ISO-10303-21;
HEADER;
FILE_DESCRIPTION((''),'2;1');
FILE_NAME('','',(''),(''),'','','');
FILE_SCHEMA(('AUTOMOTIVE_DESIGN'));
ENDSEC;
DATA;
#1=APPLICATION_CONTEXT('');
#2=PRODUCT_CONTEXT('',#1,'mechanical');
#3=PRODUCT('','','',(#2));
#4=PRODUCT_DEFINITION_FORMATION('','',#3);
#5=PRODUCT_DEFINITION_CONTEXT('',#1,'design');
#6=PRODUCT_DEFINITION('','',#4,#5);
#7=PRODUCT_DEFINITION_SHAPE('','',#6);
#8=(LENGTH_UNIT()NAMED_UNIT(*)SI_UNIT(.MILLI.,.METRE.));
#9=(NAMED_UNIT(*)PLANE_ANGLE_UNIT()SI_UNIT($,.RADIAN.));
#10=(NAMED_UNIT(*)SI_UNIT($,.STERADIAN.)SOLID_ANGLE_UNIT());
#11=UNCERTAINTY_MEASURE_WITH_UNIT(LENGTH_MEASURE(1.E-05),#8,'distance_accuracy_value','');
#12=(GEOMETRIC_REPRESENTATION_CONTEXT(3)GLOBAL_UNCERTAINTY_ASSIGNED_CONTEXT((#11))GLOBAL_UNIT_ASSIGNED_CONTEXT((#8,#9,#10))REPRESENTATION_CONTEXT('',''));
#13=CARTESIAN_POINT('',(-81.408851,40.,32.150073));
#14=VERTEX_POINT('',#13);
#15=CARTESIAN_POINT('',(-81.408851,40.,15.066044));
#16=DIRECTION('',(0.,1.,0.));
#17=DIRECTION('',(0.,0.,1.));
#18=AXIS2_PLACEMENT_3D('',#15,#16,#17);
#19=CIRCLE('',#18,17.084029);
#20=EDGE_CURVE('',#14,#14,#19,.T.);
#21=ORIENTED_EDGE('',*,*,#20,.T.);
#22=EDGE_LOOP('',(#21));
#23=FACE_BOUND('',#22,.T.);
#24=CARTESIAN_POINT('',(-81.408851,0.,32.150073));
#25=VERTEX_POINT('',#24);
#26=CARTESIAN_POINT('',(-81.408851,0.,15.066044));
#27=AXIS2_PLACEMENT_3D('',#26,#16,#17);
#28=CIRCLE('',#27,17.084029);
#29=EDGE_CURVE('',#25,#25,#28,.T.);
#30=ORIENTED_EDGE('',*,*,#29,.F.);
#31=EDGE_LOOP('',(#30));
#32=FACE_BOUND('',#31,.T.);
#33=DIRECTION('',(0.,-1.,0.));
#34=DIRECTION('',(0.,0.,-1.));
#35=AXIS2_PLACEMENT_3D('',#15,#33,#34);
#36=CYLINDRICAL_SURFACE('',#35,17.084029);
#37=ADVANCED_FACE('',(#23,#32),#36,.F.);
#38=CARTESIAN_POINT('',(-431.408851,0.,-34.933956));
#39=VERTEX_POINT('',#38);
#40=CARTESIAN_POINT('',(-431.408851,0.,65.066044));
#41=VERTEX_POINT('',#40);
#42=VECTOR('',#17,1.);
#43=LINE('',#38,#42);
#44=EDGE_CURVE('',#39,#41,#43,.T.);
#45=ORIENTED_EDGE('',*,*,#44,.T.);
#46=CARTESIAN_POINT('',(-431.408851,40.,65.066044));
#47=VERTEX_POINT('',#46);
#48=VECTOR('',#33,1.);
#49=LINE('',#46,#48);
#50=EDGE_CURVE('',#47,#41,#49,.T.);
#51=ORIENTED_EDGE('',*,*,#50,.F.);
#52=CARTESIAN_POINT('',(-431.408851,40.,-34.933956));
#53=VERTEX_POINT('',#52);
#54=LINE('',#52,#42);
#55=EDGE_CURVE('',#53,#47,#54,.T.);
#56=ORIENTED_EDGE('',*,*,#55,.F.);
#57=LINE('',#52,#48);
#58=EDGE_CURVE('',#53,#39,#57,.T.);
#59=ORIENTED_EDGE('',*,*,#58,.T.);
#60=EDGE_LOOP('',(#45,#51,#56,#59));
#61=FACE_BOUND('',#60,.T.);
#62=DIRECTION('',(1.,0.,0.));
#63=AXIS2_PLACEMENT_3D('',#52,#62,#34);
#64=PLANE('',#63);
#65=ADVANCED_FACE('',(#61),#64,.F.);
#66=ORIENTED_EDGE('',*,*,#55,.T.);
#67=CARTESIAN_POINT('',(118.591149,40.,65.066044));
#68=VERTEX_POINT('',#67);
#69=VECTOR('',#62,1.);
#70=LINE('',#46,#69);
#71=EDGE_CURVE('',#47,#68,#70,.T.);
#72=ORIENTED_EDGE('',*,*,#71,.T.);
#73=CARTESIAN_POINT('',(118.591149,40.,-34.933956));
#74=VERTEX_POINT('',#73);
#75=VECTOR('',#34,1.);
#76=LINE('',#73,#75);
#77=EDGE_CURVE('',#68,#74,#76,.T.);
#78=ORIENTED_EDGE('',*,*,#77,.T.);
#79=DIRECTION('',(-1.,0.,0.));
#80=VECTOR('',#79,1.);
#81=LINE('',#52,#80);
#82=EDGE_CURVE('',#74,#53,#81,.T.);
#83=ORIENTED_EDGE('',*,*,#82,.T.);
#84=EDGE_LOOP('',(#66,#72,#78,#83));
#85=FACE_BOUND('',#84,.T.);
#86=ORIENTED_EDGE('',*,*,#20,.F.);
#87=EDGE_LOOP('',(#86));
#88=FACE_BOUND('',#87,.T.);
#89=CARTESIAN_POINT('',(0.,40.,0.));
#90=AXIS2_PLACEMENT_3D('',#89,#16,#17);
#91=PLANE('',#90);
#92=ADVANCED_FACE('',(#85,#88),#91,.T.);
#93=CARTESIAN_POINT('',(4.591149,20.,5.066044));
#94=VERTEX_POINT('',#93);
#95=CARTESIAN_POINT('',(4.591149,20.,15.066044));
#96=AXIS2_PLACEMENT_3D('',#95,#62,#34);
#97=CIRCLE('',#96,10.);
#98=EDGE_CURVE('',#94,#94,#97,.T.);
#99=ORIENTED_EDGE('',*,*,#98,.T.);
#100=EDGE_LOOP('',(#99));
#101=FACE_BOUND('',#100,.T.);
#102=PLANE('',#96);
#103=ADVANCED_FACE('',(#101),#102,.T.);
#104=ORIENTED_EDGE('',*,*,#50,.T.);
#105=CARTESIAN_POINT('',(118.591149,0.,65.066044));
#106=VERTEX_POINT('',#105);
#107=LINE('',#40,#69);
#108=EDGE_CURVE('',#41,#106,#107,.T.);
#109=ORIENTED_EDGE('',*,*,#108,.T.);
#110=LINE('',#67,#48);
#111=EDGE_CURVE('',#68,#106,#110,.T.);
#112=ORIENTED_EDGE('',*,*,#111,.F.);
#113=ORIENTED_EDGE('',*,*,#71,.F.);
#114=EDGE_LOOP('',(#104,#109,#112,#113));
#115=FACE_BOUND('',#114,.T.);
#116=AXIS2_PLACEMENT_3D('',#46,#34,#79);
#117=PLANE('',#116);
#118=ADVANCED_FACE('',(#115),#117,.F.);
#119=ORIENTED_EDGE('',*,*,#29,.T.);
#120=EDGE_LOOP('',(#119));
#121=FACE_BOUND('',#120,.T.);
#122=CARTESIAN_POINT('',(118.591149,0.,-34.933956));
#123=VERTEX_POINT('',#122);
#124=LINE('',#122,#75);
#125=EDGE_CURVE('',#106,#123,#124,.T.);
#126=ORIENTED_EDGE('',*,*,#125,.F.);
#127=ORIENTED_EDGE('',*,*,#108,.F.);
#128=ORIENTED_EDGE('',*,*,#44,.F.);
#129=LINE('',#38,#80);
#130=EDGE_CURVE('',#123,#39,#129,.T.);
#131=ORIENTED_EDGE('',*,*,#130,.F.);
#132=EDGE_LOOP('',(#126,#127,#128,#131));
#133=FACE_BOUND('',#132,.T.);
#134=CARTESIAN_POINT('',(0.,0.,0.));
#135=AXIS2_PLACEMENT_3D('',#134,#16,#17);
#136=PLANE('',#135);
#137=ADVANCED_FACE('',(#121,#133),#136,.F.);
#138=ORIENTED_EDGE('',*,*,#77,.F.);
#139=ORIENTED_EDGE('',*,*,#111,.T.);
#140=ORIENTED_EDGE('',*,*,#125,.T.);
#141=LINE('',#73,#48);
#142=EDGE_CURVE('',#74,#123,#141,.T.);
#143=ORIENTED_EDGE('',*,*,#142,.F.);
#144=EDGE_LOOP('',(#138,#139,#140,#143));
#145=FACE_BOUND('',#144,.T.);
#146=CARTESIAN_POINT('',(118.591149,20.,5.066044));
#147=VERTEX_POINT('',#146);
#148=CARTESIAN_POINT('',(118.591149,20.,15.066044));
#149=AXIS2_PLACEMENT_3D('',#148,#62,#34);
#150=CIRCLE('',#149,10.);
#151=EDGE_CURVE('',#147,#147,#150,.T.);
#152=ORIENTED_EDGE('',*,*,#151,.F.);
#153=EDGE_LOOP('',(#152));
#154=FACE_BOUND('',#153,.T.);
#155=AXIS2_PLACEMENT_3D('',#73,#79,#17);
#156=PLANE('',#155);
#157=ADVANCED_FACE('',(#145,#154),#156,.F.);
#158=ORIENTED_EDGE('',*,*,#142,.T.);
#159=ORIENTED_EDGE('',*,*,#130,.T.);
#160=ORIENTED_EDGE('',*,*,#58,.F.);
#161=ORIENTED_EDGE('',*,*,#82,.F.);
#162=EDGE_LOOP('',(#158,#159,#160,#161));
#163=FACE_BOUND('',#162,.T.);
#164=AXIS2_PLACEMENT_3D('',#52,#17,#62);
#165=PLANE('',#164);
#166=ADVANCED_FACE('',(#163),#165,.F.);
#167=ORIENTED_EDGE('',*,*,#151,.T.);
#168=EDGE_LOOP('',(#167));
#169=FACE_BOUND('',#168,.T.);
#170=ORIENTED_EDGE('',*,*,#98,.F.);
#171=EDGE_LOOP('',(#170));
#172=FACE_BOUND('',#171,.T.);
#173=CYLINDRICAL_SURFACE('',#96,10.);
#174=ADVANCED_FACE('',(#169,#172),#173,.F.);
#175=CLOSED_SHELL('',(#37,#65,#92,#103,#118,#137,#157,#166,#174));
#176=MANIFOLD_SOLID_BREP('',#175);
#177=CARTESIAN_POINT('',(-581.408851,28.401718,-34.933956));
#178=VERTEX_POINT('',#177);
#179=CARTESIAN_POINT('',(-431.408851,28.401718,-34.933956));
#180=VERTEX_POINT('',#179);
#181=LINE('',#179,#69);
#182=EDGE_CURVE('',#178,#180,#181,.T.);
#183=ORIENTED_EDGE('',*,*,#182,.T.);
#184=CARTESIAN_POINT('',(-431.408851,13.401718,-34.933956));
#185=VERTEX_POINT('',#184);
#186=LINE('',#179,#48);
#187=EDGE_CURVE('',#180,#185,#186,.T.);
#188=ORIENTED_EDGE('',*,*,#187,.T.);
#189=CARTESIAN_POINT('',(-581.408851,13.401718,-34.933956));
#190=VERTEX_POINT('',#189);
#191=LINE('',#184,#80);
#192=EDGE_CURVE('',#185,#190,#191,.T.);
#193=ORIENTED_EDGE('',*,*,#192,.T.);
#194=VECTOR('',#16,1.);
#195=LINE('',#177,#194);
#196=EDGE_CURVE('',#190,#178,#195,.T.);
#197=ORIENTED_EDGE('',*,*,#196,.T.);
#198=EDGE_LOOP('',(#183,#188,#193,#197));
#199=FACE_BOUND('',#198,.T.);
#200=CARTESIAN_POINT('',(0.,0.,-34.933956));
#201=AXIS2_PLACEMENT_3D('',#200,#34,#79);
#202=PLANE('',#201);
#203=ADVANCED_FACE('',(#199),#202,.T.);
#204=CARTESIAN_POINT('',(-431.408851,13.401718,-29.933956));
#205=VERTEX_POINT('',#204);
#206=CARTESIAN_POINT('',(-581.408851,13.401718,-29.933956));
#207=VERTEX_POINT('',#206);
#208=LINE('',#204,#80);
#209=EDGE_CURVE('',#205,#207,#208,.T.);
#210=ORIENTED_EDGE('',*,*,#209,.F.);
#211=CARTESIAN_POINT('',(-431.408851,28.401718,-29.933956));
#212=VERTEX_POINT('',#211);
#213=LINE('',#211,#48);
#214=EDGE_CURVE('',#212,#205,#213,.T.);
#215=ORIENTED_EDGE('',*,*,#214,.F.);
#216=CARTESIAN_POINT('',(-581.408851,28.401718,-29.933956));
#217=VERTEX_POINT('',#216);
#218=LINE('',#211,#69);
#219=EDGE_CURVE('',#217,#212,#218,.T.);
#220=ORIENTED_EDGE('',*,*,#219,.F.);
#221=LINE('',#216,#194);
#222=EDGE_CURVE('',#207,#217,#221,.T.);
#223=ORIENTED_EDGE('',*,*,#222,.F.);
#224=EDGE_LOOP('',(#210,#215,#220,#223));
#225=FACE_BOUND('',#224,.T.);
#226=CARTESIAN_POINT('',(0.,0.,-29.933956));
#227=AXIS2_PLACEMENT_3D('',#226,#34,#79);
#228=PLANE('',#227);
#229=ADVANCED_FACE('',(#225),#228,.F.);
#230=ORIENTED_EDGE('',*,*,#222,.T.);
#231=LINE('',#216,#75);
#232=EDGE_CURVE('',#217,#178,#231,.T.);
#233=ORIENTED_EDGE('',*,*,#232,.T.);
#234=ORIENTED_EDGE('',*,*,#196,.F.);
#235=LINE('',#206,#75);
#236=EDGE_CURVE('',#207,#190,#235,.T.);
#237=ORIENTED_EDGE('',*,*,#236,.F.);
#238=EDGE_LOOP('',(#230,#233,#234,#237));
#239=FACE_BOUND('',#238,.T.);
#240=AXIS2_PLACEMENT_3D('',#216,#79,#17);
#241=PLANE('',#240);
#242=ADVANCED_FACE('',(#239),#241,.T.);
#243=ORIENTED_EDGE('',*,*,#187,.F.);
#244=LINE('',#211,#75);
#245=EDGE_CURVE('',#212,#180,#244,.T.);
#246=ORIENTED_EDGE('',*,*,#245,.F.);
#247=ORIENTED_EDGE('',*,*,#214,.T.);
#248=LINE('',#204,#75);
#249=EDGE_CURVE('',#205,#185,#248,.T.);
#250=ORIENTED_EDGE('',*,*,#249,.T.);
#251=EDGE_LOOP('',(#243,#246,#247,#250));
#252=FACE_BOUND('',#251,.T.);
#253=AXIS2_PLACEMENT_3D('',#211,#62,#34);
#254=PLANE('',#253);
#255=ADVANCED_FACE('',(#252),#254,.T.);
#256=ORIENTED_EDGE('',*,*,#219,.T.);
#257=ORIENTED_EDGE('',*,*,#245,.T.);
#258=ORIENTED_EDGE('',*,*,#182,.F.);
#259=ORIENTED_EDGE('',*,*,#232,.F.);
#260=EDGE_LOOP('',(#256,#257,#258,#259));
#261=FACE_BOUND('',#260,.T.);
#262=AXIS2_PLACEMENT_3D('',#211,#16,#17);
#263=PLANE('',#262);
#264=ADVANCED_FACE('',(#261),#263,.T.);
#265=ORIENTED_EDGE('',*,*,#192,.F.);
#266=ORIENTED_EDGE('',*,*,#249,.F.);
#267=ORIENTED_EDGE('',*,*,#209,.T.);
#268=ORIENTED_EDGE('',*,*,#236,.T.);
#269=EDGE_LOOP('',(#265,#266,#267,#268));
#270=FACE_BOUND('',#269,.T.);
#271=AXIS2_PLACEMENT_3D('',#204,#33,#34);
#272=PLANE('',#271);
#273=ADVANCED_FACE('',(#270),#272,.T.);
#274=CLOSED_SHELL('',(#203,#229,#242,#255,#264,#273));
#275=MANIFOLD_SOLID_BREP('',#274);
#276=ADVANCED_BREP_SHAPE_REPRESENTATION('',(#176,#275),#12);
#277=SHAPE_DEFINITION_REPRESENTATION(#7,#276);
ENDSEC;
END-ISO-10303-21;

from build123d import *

# Parameters (mm, degrees)
SKETCH1_W           = 550
SKETCH1_H           = 100
SKETCH1_R           = 17.084029422
BOSS_EXTRUDE1_DEPTH = 40
SKETCH2_R           = 10
CUT_EXTRUDE1_DEPTH  = 114
SKETCH3_W           = 150
SKETCH3_H           = 15
BOSS_EXTRUDE2_DEPTH = 5


with BuildPart() as part:
    # Sketch1 → Boss-Extrude1 (new body)
    with BuildSketch(Plane(origin=(0, 0, 0), x_dir=(1, 0, 0), z_dir=(0, 1, 0))):
        with Locations((-156.408850848, -15.066043846)):
            Rectangle(SKETCH1_W, SKETCH1_H)
        with Locations(Location((-81.408850848, -15.066043846, 0), (0, 0, 270))):
            Circle(SKETCH1_R, mode=Mode.SUBTRACT)
    extrude(amount=BOSS_EXTRUDE1_DEPTH)

    # Sketch2 → Cut-Extrude1 (cut)
    with BuildSketch(Plane(origin=(118.591149152, 0, 0), x_dir=(0, 0, -1), z_dir=(1, 0, 0))):
        with Locations((-15.066043846, 20)):
            Circle(SKETCH2_R)
    extrude(amount=-CUT_EXTRUDE1_DEPTH, mode=Mode.SUBTRACT)


with BuildPart() as body_2:
    # Sketch3 → Boss-Extrude2 (new body)
    with BuildSketch(Plane(origin=(0, 0, -34.933956154), x_dir=(-1, 0, 0), z_dir=(0, 0, -1))):
        with Locations((506.408850848, 20.90171756)):
            Rectangle(SKETCH3_W, SKETCH3_H)
    extrude(amount=-BOSS_EXTRUDE2_DEPTH)


solid = Compound([part.part, body_2.part])
